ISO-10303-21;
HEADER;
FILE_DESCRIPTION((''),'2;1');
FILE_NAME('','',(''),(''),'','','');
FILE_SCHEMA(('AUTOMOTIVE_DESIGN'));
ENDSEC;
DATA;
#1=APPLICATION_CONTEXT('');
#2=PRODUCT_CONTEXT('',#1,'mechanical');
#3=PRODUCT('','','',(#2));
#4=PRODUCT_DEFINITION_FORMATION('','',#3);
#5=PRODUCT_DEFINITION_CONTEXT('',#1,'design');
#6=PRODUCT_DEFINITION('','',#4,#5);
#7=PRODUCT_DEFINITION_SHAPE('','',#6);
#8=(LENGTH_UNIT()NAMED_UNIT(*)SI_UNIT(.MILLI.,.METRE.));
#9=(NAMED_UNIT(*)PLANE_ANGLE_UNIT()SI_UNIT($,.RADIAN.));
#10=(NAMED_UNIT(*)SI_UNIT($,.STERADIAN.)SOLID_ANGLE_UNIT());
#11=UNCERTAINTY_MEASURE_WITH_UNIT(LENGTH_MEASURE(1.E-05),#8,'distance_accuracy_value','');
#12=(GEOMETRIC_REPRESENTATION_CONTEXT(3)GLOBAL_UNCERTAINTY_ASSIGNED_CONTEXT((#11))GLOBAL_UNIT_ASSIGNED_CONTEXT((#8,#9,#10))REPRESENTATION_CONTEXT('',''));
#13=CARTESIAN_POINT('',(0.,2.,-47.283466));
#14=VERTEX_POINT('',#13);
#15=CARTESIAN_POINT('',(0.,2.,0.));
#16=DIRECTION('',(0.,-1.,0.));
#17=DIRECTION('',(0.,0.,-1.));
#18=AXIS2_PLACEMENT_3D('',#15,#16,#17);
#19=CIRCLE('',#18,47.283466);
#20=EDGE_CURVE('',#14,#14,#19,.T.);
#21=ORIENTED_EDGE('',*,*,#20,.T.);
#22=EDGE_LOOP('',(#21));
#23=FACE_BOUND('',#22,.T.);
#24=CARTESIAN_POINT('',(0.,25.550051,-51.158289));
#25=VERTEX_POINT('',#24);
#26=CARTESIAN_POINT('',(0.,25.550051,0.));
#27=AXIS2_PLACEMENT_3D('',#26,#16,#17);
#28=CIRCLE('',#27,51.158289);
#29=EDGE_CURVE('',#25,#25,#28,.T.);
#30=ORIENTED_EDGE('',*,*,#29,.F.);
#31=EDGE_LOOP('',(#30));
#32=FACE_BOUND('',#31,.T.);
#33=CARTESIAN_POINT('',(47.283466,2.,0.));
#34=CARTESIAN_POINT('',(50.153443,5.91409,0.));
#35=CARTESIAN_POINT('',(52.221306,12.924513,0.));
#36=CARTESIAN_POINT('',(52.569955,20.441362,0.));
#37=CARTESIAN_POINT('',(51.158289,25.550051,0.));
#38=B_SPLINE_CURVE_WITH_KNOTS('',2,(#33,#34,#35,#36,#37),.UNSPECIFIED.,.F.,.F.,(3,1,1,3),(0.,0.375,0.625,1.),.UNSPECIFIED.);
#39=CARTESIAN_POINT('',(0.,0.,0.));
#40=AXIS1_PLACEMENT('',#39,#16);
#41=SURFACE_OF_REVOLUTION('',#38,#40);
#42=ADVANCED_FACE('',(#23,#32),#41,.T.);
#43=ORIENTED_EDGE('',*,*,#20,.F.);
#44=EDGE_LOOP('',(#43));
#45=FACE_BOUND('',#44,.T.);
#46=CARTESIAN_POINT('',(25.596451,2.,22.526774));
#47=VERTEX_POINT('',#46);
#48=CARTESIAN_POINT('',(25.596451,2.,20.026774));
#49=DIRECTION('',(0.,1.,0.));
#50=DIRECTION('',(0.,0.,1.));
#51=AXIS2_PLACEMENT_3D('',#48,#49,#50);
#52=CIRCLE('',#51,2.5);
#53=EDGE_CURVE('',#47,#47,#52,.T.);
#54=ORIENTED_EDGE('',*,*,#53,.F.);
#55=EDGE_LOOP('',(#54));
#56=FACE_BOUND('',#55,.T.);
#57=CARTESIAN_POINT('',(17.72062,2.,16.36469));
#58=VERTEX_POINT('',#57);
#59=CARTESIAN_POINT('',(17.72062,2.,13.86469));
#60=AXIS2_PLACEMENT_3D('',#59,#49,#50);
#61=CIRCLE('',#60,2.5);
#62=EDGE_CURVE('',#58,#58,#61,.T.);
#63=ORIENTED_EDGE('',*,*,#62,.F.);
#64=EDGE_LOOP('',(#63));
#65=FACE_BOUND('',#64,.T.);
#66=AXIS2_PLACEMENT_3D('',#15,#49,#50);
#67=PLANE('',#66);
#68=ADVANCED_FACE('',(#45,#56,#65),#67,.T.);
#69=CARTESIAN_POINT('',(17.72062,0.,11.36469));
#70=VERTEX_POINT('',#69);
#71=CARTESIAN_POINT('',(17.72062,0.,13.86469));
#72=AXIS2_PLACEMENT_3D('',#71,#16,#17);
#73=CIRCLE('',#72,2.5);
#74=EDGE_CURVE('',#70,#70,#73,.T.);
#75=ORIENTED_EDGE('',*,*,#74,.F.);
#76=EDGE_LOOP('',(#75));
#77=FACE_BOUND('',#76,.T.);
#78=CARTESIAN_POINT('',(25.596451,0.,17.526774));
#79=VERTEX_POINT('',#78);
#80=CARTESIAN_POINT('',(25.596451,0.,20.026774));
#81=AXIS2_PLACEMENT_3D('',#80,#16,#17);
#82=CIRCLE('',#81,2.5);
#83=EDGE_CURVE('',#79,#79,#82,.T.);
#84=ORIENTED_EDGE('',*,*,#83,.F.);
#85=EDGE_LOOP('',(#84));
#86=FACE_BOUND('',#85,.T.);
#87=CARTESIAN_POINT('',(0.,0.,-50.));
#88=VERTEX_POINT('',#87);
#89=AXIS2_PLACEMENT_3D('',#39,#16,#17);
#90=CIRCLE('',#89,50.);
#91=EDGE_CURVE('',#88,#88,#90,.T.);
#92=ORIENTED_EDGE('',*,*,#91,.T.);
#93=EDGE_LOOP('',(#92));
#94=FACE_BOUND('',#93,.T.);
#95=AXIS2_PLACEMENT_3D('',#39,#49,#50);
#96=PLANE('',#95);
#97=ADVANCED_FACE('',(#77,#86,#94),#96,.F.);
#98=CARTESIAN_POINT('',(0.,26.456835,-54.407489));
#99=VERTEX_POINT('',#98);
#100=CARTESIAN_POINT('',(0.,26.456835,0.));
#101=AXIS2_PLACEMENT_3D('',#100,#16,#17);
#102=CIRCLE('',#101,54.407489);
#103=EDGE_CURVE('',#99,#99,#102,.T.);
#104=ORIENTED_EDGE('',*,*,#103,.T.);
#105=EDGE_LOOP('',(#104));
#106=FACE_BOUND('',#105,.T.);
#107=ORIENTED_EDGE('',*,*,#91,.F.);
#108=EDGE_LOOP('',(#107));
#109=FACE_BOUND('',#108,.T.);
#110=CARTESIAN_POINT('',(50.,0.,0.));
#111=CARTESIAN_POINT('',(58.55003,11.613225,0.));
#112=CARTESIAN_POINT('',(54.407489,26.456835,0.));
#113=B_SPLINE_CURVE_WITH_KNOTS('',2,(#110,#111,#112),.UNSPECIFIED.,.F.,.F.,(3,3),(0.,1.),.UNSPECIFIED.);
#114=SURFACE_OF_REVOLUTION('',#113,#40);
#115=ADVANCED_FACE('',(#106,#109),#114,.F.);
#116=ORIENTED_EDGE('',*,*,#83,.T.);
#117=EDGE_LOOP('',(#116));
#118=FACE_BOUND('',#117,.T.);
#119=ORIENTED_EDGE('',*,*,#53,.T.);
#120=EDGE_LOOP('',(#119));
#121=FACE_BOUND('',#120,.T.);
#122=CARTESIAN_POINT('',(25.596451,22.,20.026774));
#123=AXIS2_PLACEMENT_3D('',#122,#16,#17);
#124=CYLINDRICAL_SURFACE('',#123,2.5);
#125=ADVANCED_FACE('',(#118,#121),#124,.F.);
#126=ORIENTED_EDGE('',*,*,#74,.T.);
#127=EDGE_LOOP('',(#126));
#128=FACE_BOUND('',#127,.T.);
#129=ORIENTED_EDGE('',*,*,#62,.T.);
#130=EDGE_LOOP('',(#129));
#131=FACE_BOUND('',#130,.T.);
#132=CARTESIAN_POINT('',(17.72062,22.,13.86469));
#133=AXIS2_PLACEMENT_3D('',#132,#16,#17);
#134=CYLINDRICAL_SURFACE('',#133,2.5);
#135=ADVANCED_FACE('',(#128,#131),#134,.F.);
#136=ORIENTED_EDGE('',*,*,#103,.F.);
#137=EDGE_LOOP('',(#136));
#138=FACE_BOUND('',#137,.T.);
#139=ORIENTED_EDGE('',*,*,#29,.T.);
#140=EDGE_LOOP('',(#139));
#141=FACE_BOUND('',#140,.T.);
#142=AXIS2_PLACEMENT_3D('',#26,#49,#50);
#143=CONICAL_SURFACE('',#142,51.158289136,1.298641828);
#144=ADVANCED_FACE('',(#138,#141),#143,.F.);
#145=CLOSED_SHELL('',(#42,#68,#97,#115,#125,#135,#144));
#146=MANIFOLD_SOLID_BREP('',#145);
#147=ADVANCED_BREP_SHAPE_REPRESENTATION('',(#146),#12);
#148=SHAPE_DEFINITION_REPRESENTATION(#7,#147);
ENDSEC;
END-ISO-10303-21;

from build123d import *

# Parameters (mm, degrees)
SKETCH2_R          = 2.5
CUT_EXTRUDE2_DEPTH = 22


with BuildPart() as part:
    # Sketch1 → Revolve1 (revolve)
    with BuildSketch(Plane.XY):
        with BuildLine():
            add(Edge.make_bspline(
                [(51.158289136, 25.550050858), (54.407489378, 26.45683456)],
                knots=[0, 0, 1, 1], degree=1))
            add(Edge.make_bspline(
                [(50, 0), (58.550029809, 11.613224852), (54.407489378, 26.45683456)],
                knots=[0, 0, 0, 1, 1, 1], degree=2))
            Line((50, 0), (0, 0))
            Line((0, 0), (0, 2))
            Line((0, 2), (47.283465646, 2))
            add(Edge.make_bspline(
                [(47.283465646, 2), (50.153442659, 5.914089702), (52.221306271, 12.924512735), (52.569955472, 20.441362346), (51.158289136, 25.550050858)],
                knots=[0, 0, 0, 0.375, 0.625, 1, 1, 1], degree=2))
        make_face()
    revolve(axis=Axis((0, 0, 0), (0, 1, 0)))

    # Sketch2 → Cut-Extrude2 (cut)
    with BuildSketch(Plane.XZ):
        with Locations((25.596451493, 20.026773853)):
            Circle(SKETCH2_R)
        with Locations((17.720620264, 13.864689591)):
            Circle(SKETCH2_R)
    extrude(amount=-CUT_EXTRUDE2_DEPTH, mode=Mode.SUBTRACT)


solid = part.part
